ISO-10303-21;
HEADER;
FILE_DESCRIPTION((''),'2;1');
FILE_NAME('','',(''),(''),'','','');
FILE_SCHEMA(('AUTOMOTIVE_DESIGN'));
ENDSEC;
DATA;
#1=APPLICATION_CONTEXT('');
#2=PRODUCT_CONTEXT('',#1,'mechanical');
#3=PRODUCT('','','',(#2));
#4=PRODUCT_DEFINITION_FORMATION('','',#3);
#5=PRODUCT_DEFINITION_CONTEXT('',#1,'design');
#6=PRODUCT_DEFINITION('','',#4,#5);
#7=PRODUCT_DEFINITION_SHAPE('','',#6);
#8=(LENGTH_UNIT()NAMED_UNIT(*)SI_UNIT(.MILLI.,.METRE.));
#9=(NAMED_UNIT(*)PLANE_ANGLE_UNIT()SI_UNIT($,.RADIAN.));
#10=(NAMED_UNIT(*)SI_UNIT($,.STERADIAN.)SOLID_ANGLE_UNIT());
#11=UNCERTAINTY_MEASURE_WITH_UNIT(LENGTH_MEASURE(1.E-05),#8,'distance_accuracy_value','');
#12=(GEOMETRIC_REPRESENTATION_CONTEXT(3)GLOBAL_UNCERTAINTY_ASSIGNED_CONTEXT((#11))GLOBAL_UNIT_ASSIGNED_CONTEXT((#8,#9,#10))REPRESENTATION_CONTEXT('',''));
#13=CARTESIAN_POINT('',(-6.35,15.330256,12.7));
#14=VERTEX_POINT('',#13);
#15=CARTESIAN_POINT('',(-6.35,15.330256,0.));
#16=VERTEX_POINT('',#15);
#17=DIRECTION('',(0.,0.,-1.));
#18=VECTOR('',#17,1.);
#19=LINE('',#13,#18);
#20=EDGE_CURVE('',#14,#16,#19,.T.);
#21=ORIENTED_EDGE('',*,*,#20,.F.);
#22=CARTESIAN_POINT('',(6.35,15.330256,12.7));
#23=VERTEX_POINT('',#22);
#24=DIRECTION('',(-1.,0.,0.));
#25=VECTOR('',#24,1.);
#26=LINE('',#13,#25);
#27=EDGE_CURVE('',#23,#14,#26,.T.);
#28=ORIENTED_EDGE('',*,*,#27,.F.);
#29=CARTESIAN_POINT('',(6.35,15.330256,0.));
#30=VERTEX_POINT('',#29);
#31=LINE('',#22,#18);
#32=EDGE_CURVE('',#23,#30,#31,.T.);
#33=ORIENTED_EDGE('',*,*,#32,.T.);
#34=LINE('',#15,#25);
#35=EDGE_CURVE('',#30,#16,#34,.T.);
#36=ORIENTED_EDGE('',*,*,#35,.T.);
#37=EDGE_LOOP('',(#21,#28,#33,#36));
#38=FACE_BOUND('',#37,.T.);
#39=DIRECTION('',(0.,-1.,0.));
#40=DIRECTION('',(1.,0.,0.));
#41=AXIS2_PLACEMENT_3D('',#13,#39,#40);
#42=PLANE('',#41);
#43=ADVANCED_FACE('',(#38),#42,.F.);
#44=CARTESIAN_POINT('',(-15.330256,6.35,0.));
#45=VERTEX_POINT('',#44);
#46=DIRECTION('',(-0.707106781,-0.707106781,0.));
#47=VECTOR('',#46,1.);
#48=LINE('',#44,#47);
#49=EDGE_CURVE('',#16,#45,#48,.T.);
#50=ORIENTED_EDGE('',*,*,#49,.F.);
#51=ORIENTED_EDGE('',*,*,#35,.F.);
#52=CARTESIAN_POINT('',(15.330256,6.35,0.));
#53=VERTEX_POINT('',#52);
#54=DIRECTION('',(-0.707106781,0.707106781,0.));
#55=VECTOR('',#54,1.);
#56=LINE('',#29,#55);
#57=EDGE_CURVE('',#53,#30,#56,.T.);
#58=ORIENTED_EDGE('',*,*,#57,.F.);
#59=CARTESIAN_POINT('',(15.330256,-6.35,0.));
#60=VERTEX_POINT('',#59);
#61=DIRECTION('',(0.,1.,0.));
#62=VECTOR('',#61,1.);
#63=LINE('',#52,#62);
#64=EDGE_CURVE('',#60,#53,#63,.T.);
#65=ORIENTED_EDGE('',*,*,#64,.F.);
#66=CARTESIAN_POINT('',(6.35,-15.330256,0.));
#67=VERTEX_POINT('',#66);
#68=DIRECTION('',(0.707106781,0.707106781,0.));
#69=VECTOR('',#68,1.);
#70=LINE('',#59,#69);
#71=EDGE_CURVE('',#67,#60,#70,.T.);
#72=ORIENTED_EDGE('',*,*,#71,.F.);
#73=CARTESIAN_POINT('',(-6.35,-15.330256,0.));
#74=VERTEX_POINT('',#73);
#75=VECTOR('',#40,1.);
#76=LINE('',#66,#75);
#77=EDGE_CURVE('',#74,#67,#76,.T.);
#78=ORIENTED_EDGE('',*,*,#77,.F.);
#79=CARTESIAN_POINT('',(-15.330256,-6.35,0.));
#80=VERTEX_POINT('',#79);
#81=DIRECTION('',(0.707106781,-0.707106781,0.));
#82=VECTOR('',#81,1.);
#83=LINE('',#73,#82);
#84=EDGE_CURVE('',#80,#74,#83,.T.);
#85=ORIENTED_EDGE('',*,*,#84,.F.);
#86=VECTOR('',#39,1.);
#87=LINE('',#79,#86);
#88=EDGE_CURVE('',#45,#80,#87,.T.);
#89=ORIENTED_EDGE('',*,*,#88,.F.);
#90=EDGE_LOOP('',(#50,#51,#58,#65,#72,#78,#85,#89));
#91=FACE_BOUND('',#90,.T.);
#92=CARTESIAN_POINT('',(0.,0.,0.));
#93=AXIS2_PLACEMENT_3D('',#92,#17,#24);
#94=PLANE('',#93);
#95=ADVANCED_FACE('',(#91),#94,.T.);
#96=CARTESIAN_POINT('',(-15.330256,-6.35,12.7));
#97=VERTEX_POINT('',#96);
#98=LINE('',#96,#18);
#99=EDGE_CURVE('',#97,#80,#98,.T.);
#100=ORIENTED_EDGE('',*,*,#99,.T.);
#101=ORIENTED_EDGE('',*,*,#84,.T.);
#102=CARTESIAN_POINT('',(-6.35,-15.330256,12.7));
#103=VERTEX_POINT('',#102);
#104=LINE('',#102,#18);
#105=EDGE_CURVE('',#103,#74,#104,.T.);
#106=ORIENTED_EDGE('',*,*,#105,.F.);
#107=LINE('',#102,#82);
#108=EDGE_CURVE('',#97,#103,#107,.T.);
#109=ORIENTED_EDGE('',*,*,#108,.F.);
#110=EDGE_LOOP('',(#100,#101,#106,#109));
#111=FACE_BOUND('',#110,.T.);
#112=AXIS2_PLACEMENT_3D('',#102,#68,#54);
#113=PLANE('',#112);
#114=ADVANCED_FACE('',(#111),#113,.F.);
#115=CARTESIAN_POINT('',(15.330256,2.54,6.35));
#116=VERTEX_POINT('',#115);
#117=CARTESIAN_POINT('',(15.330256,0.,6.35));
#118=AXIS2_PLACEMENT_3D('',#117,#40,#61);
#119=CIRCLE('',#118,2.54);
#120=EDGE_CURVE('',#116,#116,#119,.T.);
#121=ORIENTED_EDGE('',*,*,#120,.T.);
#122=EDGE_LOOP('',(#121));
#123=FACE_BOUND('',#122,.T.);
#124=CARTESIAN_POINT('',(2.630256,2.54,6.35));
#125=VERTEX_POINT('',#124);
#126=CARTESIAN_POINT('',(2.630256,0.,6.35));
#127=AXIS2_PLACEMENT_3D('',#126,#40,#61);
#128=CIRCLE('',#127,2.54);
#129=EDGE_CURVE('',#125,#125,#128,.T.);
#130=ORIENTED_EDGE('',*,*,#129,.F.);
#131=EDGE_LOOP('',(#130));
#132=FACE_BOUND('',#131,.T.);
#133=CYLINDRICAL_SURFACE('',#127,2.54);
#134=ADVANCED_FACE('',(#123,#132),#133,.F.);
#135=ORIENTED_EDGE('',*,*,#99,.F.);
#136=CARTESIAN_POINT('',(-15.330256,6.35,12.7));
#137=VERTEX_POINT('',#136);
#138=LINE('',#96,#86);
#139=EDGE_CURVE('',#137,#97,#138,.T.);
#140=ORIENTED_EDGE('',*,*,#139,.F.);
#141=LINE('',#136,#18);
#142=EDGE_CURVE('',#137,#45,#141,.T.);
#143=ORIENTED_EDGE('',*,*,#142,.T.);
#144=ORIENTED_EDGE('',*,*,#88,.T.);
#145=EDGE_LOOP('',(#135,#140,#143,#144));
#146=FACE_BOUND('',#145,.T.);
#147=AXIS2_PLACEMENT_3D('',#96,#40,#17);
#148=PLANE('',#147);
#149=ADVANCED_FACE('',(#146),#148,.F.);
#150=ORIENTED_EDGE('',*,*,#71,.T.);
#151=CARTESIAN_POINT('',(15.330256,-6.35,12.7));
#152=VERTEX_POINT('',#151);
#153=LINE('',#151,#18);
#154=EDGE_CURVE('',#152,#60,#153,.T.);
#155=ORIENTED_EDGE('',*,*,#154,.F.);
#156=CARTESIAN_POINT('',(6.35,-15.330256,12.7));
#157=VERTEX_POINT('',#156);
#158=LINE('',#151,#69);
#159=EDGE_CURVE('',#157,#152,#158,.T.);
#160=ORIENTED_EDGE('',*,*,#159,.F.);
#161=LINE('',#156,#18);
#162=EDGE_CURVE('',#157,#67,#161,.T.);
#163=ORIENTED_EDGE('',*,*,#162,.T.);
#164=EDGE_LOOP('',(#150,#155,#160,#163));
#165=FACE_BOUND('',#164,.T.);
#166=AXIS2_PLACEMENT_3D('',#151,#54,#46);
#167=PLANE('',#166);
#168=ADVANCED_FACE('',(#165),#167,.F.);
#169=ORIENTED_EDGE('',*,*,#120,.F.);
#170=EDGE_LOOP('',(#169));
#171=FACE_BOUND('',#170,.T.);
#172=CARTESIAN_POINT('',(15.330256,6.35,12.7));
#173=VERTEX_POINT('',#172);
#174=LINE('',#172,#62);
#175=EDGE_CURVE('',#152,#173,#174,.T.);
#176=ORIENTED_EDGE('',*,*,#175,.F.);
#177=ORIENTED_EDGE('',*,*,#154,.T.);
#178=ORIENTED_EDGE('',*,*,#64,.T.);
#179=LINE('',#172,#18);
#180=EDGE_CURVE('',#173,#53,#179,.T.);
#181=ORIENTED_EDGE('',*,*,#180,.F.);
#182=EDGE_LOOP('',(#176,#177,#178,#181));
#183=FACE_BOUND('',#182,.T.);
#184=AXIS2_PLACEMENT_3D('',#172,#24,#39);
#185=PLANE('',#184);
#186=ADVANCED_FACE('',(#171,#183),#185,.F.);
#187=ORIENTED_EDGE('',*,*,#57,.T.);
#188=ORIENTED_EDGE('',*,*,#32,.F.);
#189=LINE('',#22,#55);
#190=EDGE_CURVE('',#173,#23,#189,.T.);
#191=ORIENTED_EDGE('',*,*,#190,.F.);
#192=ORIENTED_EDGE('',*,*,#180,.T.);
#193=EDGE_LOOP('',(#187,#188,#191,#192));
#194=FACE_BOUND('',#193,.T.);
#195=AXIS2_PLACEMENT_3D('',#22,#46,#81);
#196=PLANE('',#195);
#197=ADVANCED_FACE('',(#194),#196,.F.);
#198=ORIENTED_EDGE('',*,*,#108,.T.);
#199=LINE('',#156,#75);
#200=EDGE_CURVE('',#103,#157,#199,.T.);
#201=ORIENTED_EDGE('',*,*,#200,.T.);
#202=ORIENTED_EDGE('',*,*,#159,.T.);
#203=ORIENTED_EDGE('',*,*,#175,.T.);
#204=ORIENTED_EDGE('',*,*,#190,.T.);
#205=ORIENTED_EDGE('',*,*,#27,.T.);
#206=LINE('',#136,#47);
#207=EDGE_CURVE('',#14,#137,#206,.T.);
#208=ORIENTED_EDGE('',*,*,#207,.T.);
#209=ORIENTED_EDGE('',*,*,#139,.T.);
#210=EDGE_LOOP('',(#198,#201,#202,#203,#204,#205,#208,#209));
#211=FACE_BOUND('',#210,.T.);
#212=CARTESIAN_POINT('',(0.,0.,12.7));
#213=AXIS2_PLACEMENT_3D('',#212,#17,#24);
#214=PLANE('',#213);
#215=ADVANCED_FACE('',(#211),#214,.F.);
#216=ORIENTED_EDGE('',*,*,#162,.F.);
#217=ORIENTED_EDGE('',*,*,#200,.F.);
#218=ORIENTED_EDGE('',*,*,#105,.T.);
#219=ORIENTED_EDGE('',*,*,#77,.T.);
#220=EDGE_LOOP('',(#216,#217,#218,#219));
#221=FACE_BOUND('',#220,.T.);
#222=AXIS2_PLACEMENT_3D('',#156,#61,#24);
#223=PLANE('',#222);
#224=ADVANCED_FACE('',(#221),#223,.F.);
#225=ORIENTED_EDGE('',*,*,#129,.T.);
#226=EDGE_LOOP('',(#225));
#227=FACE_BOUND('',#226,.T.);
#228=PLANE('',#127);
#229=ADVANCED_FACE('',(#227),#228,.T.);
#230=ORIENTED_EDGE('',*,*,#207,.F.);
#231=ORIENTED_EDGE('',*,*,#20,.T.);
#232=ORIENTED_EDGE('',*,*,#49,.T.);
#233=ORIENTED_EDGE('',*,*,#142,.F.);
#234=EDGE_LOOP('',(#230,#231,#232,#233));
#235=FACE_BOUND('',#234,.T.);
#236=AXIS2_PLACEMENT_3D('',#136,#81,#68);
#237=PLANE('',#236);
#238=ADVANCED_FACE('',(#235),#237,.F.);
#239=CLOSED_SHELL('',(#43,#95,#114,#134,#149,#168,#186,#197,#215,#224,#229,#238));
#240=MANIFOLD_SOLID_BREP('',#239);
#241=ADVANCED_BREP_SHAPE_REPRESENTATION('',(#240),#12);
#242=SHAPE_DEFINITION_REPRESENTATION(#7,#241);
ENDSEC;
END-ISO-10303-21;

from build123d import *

# Parameters (mm, degrees)
BOSS_EXTRUDE1_DEPTH = 12.7
SKETCH3_R           = 2.54
CUT_EXTRUDE1_DEPTH  = 12.7


with BuildPart() as part:
    # Sketch2 → Boss-Extrude1 (new body)
    with BuildSketch(Plane.XY):
        Polygon((15.330256121, 6.35), (15.330256121, -6.35), (6.35, -15.330256121), (-6.35, -15.330256121), (-15.330256121, -6.35), (-15.330256121, 6.35), (-6.35, 15.330256121), (6.35, 15.330256121), align=None)
    extrude(amount=BOSS_EXTRUDE1_DEPTH)

    # Sketch3 → Cut-Extrude1 (cut)
    with BuildSketch(Plane(origin=(15.330256121, 0, 0), x_dir=(0, 0, -1), z_dir=(1, 0, 0))):
        with Locations(Location((-6.35, 0, 0), (0, 0, 90))):
            Circle(SKETCH3_R)
    extrude(amount=-CUT_EXTRUDE1_DEPTH, mode=Mode.SUBTRACT)


solid = part.part
